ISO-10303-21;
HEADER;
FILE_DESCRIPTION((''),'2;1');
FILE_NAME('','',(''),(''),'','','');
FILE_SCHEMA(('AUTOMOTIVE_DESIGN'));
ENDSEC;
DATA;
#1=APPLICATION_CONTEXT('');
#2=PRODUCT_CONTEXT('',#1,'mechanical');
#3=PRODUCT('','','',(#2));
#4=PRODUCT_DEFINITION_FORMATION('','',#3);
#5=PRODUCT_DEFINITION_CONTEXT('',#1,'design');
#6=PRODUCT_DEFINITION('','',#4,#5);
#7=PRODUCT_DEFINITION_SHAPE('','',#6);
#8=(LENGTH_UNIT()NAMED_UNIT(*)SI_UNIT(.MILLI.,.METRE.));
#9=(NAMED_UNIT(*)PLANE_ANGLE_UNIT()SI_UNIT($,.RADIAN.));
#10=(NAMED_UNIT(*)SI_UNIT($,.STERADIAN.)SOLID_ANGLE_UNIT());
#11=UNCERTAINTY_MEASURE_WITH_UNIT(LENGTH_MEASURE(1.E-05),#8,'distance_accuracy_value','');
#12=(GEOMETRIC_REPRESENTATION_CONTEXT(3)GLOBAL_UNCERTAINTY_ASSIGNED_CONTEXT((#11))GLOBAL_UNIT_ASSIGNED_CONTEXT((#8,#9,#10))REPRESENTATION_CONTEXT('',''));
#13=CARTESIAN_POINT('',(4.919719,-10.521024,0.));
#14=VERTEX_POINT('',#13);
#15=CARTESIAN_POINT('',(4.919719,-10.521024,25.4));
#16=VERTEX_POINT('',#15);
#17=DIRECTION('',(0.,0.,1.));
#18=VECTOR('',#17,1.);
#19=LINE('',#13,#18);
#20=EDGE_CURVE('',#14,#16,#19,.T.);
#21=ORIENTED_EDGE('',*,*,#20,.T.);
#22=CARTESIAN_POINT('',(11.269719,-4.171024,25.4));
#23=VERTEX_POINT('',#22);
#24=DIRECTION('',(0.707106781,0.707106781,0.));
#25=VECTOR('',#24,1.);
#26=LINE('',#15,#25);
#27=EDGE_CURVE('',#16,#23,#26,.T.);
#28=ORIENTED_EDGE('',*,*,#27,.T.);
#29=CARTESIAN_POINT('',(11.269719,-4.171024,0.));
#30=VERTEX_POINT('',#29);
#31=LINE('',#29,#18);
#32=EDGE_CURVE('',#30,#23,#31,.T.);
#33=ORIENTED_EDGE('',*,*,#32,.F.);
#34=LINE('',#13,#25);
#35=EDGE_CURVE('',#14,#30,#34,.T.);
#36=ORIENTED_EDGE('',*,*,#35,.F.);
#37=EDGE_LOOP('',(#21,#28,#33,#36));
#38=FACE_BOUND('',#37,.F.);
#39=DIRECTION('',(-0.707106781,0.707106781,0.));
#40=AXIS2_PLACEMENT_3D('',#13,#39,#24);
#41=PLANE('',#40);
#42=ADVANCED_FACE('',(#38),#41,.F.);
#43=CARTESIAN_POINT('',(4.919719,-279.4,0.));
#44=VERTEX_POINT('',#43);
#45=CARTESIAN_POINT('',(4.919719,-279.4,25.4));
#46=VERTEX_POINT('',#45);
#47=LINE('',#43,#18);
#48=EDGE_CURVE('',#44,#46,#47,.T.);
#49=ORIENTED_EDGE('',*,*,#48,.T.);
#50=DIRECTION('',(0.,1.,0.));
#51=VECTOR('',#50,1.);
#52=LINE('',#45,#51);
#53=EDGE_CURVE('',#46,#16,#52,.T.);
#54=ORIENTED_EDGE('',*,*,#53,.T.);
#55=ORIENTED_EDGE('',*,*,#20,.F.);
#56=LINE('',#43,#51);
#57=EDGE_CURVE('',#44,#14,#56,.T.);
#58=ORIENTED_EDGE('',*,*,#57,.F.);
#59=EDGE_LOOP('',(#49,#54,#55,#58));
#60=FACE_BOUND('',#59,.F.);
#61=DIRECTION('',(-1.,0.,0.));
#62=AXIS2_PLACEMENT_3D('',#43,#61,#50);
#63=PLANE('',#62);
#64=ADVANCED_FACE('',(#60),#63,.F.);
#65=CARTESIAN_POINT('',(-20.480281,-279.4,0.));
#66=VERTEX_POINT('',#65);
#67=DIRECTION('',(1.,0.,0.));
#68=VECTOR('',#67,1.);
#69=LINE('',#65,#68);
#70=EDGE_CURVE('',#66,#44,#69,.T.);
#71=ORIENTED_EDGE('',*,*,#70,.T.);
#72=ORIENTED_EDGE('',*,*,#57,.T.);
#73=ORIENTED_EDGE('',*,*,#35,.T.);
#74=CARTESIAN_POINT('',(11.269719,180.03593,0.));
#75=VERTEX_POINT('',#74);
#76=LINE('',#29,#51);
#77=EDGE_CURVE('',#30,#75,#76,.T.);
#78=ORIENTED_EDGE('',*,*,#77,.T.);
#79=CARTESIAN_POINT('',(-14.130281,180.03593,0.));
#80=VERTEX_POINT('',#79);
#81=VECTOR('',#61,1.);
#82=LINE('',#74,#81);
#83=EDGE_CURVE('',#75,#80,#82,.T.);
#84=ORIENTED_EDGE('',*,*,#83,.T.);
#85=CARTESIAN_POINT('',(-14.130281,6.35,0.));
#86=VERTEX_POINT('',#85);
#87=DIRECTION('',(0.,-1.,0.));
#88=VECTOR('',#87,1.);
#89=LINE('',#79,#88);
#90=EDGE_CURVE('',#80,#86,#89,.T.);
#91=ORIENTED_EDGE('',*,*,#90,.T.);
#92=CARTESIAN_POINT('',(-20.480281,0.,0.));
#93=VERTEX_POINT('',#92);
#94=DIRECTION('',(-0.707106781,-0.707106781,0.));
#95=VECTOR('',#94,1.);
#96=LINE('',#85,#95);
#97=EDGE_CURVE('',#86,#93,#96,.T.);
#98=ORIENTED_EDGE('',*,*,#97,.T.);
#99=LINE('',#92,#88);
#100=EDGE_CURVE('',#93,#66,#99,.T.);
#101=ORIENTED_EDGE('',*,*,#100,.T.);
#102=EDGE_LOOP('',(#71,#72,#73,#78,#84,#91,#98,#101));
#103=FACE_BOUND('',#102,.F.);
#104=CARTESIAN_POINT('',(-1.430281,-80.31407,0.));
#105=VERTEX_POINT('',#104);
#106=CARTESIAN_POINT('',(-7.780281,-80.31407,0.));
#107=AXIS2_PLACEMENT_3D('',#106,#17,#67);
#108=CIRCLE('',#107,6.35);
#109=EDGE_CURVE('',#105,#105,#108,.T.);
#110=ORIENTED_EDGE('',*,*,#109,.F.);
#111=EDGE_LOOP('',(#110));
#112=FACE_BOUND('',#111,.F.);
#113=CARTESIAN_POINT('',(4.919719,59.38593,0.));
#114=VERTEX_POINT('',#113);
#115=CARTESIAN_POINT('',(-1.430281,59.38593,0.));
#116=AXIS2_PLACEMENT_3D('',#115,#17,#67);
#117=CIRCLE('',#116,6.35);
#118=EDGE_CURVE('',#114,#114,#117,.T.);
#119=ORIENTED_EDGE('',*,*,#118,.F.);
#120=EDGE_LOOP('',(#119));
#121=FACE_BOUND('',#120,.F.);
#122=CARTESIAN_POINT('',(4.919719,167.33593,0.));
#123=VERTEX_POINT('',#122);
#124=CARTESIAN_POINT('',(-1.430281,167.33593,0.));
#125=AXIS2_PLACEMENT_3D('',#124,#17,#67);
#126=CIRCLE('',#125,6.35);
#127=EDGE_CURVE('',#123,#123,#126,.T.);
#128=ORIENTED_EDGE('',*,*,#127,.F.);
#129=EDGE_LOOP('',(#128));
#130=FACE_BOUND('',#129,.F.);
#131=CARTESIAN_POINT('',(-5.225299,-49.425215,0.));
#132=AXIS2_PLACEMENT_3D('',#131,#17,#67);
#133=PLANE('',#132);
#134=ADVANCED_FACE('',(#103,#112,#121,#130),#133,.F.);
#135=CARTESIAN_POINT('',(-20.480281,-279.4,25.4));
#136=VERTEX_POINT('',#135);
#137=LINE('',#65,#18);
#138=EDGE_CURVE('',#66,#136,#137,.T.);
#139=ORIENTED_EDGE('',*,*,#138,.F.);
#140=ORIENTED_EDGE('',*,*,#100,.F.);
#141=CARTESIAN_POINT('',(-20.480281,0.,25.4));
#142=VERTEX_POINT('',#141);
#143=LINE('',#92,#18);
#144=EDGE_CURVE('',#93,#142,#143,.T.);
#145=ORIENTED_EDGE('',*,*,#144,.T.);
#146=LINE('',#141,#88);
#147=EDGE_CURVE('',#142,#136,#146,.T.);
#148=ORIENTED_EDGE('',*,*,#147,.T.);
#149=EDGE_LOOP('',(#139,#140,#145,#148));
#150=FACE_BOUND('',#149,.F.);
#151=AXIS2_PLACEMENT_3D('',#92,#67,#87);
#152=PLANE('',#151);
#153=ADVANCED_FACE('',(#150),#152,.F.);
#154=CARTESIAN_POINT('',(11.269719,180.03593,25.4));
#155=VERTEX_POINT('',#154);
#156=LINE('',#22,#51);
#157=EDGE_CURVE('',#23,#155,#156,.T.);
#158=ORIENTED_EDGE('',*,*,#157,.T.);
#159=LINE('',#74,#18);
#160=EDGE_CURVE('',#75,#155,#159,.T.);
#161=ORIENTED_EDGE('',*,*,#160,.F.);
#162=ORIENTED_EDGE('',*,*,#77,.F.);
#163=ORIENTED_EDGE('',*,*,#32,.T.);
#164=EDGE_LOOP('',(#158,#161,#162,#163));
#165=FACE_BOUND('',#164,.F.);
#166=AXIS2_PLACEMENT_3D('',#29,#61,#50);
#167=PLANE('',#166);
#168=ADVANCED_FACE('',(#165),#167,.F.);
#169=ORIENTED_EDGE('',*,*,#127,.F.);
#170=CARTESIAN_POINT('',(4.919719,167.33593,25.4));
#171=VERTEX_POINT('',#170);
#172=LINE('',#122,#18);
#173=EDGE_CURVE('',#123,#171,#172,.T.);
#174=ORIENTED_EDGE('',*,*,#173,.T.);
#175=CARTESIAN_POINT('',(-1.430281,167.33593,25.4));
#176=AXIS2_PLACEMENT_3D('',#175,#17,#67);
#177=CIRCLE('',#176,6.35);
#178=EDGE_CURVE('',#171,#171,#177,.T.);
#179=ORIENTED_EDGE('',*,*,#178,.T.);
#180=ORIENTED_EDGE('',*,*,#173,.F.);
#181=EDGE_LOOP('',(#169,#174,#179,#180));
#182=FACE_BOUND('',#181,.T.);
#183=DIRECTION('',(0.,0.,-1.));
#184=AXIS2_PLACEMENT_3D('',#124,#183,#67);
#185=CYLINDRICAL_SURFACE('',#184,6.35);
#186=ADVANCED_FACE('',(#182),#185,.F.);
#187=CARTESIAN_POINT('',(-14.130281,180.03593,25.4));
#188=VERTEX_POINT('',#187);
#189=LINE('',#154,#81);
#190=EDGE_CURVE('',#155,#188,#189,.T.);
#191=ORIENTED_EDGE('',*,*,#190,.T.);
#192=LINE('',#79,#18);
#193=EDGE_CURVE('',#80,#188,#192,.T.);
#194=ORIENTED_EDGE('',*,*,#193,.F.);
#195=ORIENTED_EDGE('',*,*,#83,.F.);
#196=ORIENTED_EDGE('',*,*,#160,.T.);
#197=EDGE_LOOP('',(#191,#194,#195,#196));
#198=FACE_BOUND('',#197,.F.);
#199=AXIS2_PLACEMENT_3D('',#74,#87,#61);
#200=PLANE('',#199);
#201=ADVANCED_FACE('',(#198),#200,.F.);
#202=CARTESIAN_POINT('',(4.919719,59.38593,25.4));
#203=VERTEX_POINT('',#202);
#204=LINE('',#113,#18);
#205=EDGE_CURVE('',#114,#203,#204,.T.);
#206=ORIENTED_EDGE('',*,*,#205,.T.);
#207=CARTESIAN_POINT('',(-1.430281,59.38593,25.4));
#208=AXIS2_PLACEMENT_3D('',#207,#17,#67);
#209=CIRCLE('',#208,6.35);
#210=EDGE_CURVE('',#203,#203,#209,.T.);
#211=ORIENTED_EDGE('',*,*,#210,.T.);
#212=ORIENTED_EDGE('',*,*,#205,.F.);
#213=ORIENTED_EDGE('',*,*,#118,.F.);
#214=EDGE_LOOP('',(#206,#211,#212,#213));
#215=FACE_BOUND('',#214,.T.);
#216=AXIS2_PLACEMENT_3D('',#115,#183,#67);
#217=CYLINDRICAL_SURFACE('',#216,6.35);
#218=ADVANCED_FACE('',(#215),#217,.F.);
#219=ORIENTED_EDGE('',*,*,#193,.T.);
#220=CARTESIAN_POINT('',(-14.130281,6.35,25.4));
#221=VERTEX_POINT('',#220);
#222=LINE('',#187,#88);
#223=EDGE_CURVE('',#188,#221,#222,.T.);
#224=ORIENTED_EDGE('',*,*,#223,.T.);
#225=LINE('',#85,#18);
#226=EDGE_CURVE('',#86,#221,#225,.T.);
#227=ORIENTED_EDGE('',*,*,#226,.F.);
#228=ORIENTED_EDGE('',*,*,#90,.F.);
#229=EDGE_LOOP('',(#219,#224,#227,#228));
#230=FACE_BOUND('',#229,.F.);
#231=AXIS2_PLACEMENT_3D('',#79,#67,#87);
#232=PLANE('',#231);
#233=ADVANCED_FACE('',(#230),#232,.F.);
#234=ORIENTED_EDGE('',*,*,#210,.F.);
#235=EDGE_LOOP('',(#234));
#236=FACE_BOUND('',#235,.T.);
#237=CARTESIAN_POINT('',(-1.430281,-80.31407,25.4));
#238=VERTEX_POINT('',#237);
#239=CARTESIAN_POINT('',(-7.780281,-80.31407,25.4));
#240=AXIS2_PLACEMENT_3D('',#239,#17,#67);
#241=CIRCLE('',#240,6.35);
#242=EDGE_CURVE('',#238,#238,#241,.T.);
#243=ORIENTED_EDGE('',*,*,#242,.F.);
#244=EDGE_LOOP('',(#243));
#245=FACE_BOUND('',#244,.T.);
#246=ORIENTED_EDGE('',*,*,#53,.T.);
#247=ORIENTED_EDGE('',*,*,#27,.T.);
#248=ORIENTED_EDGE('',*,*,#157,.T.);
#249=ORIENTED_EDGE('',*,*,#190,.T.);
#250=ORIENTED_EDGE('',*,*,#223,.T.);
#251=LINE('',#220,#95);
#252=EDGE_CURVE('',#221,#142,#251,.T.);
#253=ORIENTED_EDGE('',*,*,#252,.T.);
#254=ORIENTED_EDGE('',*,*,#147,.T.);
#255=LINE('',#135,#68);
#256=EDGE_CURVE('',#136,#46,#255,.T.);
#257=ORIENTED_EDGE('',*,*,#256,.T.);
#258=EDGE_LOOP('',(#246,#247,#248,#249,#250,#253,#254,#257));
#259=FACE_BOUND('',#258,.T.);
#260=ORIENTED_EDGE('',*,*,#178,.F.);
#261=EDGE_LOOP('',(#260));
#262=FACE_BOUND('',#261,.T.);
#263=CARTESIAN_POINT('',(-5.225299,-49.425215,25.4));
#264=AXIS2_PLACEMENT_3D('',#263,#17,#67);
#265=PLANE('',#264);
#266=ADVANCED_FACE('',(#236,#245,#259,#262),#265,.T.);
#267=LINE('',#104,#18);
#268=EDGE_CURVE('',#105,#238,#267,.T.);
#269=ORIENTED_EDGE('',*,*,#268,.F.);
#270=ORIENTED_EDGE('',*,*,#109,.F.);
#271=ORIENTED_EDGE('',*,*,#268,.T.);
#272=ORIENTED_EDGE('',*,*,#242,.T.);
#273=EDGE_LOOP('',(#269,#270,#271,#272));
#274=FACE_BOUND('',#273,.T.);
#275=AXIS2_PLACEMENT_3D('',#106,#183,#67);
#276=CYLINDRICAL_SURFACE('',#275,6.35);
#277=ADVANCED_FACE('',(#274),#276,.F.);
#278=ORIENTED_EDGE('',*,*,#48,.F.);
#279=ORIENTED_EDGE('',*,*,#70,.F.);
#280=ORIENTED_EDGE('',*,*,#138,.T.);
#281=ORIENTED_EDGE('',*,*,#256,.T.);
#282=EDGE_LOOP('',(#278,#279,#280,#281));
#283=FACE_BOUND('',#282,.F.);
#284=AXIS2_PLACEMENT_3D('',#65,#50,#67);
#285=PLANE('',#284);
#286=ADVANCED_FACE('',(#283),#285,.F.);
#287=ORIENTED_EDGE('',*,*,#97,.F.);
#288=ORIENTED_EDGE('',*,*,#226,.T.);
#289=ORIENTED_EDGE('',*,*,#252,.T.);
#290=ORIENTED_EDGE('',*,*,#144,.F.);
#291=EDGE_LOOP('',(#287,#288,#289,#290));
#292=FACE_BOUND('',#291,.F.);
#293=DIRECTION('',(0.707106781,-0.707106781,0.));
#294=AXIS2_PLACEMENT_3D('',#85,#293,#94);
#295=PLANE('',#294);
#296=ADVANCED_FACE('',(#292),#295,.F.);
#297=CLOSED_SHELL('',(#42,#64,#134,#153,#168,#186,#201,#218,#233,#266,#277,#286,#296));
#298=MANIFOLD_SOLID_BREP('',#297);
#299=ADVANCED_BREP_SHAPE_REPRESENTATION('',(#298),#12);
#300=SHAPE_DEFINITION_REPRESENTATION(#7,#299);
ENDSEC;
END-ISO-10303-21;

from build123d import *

# Parameters (mm, degrees)
F0_R     = 6.35
F1_DEPTH = 25.4


with BuildPart() as f1:
    # F0 (on Top) → F1 (new body)
    with BuildSketch(Plane.XY):
        Polygon((-20.480281, 0), (-20.480281, -279.4), (4.919719, -279.4), (4.919719, -10.521024), (11.269719, -4.171024), (11.269719, 180.03593), (-14.130281, 180.03593), (-14.130281, 6.35), align=None)
        with Locations((-7.780281, -80.31407)):
            Circle(F0_R, mode=Mode.SUBTRACT)
        with Locations((-1.430281, 59.38593)):
            Circle(F0_R, mode=Mode.SUBTRACT)
        with Locations((-1.430281, 167.33593)):
            Circle(F0_R, mode=Mode.SUBTRACT)
    extrude(amount=F1_DEPTH)


solid = f1.part
